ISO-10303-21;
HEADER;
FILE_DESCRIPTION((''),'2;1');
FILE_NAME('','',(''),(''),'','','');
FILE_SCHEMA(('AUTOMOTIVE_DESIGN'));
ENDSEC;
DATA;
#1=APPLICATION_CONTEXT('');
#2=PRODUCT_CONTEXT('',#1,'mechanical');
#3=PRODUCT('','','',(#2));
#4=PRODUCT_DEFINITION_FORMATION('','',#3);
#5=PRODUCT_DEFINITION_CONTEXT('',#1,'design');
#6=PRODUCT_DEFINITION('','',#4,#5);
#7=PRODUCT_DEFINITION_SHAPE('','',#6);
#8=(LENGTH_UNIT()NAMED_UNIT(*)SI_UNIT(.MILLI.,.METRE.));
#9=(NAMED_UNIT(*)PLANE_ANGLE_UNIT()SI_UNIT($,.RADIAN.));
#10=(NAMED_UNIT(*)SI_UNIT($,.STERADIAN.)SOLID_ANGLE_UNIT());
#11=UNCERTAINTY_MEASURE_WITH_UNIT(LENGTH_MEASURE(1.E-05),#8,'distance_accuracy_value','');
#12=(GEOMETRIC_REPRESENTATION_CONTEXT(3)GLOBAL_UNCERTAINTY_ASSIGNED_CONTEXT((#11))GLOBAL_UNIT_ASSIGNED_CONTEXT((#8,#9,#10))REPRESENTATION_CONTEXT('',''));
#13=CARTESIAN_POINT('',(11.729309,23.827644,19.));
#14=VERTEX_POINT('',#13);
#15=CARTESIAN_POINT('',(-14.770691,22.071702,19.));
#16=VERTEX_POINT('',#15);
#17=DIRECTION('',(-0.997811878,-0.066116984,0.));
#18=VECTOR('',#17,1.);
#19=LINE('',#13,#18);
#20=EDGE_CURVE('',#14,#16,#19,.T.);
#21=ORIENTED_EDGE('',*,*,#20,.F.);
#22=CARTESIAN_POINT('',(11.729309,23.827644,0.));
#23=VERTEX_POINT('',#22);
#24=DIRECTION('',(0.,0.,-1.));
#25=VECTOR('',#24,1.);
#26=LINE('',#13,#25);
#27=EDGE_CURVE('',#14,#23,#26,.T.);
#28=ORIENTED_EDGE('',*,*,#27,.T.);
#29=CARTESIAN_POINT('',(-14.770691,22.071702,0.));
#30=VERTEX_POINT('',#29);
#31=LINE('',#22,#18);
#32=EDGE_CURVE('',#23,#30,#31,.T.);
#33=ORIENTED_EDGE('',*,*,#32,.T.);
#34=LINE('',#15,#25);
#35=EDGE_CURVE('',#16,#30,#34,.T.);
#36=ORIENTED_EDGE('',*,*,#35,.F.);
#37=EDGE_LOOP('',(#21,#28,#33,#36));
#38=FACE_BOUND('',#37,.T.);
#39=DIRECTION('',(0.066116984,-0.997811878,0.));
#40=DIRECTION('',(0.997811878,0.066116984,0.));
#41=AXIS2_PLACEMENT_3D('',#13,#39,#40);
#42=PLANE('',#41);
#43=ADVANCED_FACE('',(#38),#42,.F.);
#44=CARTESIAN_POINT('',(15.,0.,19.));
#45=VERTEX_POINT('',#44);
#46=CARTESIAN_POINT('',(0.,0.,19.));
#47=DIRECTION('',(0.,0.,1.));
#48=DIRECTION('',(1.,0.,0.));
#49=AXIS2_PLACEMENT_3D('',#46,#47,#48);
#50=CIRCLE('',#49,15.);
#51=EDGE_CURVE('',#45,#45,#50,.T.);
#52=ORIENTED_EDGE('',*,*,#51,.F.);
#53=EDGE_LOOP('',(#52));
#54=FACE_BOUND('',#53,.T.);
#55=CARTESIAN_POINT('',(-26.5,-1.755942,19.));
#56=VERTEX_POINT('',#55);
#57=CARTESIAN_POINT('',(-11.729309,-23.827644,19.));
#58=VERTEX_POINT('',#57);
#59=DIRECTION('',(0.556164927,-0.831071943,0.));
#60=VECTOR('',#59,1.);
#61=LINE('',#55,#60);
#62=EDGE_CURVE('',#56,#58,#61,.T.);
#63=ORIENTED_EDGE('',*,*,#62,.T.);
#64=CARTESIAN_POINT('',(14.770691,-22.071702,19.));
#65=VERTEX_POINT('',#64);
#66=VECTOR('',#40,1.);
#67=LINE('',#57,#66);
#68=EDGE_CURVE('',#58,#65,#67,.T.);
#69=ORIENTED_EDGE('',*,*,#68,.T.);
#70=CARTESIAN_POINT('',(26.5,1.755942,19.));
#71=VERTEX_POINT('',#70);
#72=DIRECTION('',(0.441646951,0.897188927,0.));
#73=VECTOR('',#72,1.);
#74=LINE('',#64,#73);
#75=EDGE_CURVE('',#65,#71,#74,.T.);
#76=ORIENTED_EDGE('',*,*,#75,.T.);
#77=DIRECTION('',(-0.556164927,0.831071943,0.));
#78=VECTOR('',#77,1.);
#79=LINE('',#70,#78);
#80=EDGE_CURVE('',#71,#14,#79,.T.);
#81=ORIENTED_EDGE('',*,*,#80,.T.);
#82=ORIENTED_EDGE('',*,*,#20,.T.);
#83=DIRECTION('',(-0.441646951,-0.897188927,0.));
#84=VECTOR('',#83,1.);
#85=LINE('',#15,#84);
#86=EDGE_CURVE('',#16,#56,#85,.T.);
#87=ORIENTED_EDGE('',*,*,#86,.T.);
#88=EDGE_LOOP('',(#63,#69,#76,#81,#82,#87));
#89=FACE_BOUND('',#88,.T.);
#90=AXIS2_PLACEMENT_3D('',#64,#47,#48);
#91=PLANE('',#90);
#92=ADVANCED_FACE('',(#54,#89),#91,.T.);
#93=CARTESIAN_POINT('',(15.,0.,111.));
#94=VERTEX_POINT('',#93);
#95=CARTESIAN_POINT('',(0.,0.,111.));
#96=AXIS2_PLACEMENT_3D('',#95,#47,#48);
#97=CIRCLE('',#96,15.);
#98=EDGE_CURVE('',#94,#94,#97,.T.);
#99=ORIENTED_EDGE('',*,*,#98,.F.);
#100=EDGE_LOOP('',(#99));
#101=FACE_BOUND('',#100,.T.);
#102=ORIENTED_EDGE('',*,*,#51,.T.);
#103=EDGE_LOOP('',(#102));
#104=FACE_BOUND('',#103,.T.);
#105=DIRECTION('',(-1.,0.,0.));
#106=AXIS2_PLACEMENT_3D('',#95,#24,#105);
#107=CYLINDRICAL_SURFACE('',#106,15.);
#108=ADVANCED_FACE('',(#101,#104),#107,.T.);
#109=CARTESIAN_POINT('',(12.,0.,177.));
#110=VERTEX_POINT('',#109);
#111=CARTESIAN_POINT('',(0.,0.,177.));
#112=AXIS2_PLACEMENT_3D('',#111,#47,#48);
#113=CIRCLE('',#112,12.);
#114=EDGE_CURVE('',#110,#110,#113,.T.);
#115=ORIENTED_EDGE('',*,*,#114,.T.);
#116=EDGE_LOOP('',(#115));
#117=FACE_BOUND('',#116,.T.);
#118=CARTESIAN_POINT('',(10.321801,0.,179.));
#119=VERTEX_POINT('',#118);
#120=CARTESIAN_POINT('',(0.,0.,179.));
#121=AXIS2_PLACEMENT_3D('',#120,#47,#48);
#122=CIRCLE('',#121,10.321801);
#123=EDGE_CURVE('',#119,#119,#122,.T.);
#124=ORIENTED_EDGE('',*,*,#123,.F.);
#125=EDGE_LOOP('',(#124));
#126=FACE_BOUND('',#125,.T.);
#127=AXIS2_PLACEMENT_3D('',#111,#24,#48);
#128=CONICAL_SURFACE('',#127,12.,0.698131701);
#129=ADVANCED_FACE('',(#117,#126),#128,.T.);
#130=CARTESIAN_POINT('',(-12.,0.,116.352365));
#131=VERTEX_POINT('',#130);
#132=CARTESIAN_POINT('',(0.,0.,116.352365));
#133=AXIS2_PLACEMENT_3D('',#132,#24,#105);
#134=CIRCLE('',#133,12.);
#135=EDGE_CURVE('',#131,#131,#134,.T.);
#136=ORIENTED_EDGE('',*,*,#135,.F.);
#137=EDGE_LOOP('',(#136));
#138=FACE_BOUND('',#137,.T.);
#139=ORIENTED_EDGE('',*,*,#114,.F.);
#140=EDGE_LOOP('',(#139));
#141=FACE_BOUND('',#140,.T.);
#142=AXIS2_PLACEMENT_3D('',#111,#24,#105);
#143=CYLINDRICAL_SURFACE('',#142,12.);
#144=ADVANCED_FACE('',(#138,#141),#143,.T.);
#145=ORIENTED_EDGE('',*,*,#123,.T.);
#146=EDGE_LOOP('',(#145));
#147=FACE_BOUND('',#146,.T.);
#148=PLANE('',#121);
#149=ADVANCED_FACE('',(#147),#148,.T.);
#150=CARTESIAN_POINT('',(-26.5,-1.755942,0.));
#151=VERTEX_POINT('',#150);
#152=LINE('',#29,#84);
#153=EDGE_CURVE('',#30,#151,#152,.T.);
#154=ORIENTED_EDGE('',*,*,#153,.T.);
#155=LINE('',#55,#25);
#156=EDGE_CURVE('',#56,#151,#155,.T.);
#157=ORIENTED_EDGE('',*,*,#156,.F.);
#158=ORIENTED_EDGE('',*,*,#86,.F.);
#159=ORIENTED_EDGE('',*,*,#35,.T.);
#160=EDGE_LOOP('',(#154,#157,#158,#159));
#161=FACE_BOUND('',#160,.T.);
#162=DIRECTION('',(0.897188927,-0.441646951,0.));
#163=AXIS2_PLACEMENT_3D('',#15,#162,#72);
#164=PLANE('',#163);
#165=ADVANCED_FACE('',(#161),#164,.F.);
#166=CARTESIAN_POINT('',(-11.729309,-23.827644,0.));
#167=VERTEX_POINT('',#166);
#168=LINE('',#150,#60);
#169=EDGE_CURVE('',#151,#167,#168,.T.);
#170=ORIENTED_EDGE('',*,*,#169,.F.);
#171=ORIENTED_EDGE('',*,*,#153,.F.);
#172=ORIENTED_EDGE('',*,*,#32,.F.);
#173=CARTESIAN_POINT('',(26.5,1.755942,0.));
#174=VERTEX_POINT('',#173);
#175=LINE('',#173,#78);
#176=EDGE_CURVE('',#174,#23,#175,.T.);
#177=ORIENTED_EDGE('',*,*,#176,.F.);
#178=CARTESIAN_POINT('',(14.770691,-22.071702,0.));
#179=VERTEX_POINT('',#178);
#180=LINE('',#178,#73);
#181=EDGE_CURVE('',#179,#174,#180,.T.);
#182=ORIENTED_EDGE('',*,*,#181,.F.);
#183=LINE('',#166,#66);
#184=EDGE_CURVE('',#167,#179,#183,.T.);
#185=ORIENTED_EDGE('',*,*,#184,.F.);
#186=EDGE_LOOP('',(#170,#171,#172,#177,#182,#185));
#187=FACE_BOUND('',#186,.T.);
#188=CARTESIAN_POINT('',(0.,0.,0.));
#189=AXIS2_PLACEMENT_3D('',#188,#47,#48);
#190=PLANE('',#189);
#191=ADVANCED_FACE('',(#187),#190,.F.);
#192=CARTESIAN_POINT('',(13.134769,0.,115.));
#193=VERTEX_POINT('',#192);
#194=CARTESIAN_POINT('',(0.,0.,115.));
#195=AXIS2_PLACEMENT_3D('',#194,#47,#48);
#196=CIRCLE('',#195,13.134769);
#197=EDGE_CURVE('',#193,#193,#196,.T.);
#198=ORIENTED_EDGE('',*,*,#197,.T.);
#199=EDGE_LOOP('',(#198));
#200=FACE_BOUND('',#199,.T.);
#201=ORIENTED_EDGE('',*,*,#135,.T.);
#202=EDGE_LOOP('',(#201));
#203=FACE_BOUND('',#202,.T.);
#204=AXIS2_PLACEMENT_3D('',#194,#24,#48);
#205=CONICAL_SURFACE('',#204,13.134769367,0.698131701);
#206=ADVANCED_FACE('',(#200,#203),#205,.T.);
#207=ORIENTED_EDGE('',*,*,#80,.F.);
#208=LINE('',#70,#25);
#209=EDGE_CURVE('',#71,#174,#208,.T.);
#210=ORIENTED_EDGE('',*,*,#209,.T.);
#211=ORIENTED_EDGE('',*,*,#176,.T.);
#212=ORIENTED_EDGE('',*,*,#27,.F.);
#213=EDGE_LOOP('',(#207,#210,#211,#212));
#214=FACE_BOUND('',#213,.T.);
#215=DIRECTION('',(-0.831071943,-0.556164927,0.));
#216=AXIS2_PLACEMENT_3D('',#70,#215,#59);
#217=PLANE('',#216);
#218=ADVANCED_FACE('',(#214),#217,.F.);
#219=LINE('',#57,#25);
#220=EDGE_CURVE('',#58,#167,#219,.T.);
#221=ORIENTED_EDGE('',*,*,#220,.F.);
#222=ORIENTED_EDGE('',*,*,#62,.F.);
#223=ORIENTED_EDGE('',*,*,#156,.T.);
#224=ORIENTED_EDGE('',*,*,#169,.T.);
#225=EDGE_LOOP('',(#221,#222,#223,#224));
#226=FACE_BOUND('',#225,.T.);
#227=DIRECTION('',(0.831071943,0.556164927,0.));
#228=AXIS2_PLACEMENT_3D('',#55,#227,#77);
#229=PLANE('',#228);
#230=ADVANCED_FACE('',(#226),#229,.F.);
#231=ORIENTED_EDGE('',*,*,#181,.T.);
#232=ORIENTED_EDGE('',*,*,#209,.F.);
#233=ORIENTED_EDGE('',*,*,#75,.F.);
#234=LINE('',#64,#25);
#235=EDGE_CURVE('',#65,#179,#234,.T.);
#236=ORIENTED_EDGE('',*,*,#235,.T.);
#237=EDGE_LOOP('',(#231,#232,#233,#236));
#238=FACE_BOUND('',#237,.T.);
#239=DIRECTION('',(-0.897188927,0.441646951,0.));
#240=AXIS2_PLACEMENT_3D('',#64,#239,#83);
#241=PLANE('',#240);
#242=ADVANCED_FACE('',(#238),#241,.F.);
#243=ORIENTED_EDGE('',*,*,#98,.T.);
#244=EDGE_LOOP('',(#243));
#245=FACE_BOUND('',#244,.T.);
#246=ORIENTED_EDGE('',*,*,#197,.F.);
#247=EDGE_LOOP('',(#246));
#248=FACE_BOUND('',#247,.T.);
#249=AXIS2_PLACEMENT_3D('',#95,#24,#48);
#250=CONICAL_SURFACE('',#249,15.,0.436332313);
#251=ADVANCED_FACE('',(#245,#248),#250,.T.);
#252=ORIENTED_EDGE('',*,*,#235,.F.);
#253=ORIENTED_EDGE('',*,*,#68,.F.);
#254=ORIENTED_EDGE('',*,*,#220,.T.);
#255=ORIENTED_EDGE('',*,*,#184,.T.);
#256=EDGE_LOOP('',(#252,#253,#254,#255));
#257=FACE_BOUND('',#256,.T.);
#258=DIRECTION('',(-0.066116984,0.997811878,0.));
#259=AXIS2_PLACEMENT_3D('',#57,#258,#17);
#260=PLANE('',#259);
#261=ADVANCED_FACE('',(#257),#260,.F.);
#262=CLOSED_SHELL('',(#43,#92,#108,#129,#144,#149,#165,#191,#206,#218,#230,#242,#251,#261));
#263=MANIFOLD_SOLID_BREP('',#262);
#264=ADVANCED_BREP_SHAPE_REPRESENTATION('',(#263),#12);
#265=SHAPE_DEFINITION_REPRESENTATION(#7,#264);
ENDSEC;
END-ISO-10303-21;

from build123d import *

# Parameters (mm, degrees)
SKETCH_1_R       = 15
EXTRUDE_1_DEPTH  = 111
EXTRUDE_2_DEPTH  = 19
SKETCH_7_R       = 15
EXTRUDE_4_DEPTH  = 4
EXTRUDE_4_TAPER  = 25
SKETCH_22_R      = 12
EXTRUDE_22_DEPTH = 62
SKETCH_23_R      = 13.134769367
EXTRUDE_24_DEPTH = 2
EXTRUDE_24_TAPER = 40
SKETCH_24_R      = 12
EXTRUDE_25_DEPTH = 2
EXTRUDE_25_TAPER = 40


with BuildPart() as part:
    # 草图1 → 拉伸1 (new body)
    with BuildSketch(Plane.XY):
        Circle(SKETCH_1_R)
    extrude(amount=EXTRUDE_1_DEPTH)

    # 草图2 → 拉伸2 (add)
    with BuildSketch(Plane.XY):
        Polygon((14.770690633, -22.071702054), (26.5, 1.755942292), (11.729309367, 23.827644346), (-14.770690633, 22.071702054), (-26.5, -1.755942292), (-11.729309367, -23.827644346), align=None)
    extrude(amount=EXTRUDE_2_DEPTH)

    # 草图7 → 拉伸4 (add)
    with BuildSketch(Plane.XY.offset(111)):
        Circle(SKETCH_7_R)
    extrude(amount=EXTRUDE_4_DEPTH, taper=EXTRUDE_4_TAPER)

    # 草图22 → 拉伸22 (add)
    with BuildSketch(Plane.XY.offset(115)):
        Circle(SKETCH_22_R)
    extrude(amount=EXTRUDE_22_DEPTH)

    # 草图23 → 拉伸24 (add)
    with BuildSketch(Plane.XY.offset(115)):
        Circle(SKETCH_23_R)
    extrude(amount=EXTRUDE_24_DEPTH, taper=EXTRUDE_24_TAPER)

    # 草图24 → 拉伸25 (add)
    with BuildSketch(Plane.XY.offset(177)):
        Circle(SKETCH_24_R)
    extrude(amount=EXTRUDE_25_DEPTH, taper=EXTRUDE_25_TAPER)


solid = part.part
